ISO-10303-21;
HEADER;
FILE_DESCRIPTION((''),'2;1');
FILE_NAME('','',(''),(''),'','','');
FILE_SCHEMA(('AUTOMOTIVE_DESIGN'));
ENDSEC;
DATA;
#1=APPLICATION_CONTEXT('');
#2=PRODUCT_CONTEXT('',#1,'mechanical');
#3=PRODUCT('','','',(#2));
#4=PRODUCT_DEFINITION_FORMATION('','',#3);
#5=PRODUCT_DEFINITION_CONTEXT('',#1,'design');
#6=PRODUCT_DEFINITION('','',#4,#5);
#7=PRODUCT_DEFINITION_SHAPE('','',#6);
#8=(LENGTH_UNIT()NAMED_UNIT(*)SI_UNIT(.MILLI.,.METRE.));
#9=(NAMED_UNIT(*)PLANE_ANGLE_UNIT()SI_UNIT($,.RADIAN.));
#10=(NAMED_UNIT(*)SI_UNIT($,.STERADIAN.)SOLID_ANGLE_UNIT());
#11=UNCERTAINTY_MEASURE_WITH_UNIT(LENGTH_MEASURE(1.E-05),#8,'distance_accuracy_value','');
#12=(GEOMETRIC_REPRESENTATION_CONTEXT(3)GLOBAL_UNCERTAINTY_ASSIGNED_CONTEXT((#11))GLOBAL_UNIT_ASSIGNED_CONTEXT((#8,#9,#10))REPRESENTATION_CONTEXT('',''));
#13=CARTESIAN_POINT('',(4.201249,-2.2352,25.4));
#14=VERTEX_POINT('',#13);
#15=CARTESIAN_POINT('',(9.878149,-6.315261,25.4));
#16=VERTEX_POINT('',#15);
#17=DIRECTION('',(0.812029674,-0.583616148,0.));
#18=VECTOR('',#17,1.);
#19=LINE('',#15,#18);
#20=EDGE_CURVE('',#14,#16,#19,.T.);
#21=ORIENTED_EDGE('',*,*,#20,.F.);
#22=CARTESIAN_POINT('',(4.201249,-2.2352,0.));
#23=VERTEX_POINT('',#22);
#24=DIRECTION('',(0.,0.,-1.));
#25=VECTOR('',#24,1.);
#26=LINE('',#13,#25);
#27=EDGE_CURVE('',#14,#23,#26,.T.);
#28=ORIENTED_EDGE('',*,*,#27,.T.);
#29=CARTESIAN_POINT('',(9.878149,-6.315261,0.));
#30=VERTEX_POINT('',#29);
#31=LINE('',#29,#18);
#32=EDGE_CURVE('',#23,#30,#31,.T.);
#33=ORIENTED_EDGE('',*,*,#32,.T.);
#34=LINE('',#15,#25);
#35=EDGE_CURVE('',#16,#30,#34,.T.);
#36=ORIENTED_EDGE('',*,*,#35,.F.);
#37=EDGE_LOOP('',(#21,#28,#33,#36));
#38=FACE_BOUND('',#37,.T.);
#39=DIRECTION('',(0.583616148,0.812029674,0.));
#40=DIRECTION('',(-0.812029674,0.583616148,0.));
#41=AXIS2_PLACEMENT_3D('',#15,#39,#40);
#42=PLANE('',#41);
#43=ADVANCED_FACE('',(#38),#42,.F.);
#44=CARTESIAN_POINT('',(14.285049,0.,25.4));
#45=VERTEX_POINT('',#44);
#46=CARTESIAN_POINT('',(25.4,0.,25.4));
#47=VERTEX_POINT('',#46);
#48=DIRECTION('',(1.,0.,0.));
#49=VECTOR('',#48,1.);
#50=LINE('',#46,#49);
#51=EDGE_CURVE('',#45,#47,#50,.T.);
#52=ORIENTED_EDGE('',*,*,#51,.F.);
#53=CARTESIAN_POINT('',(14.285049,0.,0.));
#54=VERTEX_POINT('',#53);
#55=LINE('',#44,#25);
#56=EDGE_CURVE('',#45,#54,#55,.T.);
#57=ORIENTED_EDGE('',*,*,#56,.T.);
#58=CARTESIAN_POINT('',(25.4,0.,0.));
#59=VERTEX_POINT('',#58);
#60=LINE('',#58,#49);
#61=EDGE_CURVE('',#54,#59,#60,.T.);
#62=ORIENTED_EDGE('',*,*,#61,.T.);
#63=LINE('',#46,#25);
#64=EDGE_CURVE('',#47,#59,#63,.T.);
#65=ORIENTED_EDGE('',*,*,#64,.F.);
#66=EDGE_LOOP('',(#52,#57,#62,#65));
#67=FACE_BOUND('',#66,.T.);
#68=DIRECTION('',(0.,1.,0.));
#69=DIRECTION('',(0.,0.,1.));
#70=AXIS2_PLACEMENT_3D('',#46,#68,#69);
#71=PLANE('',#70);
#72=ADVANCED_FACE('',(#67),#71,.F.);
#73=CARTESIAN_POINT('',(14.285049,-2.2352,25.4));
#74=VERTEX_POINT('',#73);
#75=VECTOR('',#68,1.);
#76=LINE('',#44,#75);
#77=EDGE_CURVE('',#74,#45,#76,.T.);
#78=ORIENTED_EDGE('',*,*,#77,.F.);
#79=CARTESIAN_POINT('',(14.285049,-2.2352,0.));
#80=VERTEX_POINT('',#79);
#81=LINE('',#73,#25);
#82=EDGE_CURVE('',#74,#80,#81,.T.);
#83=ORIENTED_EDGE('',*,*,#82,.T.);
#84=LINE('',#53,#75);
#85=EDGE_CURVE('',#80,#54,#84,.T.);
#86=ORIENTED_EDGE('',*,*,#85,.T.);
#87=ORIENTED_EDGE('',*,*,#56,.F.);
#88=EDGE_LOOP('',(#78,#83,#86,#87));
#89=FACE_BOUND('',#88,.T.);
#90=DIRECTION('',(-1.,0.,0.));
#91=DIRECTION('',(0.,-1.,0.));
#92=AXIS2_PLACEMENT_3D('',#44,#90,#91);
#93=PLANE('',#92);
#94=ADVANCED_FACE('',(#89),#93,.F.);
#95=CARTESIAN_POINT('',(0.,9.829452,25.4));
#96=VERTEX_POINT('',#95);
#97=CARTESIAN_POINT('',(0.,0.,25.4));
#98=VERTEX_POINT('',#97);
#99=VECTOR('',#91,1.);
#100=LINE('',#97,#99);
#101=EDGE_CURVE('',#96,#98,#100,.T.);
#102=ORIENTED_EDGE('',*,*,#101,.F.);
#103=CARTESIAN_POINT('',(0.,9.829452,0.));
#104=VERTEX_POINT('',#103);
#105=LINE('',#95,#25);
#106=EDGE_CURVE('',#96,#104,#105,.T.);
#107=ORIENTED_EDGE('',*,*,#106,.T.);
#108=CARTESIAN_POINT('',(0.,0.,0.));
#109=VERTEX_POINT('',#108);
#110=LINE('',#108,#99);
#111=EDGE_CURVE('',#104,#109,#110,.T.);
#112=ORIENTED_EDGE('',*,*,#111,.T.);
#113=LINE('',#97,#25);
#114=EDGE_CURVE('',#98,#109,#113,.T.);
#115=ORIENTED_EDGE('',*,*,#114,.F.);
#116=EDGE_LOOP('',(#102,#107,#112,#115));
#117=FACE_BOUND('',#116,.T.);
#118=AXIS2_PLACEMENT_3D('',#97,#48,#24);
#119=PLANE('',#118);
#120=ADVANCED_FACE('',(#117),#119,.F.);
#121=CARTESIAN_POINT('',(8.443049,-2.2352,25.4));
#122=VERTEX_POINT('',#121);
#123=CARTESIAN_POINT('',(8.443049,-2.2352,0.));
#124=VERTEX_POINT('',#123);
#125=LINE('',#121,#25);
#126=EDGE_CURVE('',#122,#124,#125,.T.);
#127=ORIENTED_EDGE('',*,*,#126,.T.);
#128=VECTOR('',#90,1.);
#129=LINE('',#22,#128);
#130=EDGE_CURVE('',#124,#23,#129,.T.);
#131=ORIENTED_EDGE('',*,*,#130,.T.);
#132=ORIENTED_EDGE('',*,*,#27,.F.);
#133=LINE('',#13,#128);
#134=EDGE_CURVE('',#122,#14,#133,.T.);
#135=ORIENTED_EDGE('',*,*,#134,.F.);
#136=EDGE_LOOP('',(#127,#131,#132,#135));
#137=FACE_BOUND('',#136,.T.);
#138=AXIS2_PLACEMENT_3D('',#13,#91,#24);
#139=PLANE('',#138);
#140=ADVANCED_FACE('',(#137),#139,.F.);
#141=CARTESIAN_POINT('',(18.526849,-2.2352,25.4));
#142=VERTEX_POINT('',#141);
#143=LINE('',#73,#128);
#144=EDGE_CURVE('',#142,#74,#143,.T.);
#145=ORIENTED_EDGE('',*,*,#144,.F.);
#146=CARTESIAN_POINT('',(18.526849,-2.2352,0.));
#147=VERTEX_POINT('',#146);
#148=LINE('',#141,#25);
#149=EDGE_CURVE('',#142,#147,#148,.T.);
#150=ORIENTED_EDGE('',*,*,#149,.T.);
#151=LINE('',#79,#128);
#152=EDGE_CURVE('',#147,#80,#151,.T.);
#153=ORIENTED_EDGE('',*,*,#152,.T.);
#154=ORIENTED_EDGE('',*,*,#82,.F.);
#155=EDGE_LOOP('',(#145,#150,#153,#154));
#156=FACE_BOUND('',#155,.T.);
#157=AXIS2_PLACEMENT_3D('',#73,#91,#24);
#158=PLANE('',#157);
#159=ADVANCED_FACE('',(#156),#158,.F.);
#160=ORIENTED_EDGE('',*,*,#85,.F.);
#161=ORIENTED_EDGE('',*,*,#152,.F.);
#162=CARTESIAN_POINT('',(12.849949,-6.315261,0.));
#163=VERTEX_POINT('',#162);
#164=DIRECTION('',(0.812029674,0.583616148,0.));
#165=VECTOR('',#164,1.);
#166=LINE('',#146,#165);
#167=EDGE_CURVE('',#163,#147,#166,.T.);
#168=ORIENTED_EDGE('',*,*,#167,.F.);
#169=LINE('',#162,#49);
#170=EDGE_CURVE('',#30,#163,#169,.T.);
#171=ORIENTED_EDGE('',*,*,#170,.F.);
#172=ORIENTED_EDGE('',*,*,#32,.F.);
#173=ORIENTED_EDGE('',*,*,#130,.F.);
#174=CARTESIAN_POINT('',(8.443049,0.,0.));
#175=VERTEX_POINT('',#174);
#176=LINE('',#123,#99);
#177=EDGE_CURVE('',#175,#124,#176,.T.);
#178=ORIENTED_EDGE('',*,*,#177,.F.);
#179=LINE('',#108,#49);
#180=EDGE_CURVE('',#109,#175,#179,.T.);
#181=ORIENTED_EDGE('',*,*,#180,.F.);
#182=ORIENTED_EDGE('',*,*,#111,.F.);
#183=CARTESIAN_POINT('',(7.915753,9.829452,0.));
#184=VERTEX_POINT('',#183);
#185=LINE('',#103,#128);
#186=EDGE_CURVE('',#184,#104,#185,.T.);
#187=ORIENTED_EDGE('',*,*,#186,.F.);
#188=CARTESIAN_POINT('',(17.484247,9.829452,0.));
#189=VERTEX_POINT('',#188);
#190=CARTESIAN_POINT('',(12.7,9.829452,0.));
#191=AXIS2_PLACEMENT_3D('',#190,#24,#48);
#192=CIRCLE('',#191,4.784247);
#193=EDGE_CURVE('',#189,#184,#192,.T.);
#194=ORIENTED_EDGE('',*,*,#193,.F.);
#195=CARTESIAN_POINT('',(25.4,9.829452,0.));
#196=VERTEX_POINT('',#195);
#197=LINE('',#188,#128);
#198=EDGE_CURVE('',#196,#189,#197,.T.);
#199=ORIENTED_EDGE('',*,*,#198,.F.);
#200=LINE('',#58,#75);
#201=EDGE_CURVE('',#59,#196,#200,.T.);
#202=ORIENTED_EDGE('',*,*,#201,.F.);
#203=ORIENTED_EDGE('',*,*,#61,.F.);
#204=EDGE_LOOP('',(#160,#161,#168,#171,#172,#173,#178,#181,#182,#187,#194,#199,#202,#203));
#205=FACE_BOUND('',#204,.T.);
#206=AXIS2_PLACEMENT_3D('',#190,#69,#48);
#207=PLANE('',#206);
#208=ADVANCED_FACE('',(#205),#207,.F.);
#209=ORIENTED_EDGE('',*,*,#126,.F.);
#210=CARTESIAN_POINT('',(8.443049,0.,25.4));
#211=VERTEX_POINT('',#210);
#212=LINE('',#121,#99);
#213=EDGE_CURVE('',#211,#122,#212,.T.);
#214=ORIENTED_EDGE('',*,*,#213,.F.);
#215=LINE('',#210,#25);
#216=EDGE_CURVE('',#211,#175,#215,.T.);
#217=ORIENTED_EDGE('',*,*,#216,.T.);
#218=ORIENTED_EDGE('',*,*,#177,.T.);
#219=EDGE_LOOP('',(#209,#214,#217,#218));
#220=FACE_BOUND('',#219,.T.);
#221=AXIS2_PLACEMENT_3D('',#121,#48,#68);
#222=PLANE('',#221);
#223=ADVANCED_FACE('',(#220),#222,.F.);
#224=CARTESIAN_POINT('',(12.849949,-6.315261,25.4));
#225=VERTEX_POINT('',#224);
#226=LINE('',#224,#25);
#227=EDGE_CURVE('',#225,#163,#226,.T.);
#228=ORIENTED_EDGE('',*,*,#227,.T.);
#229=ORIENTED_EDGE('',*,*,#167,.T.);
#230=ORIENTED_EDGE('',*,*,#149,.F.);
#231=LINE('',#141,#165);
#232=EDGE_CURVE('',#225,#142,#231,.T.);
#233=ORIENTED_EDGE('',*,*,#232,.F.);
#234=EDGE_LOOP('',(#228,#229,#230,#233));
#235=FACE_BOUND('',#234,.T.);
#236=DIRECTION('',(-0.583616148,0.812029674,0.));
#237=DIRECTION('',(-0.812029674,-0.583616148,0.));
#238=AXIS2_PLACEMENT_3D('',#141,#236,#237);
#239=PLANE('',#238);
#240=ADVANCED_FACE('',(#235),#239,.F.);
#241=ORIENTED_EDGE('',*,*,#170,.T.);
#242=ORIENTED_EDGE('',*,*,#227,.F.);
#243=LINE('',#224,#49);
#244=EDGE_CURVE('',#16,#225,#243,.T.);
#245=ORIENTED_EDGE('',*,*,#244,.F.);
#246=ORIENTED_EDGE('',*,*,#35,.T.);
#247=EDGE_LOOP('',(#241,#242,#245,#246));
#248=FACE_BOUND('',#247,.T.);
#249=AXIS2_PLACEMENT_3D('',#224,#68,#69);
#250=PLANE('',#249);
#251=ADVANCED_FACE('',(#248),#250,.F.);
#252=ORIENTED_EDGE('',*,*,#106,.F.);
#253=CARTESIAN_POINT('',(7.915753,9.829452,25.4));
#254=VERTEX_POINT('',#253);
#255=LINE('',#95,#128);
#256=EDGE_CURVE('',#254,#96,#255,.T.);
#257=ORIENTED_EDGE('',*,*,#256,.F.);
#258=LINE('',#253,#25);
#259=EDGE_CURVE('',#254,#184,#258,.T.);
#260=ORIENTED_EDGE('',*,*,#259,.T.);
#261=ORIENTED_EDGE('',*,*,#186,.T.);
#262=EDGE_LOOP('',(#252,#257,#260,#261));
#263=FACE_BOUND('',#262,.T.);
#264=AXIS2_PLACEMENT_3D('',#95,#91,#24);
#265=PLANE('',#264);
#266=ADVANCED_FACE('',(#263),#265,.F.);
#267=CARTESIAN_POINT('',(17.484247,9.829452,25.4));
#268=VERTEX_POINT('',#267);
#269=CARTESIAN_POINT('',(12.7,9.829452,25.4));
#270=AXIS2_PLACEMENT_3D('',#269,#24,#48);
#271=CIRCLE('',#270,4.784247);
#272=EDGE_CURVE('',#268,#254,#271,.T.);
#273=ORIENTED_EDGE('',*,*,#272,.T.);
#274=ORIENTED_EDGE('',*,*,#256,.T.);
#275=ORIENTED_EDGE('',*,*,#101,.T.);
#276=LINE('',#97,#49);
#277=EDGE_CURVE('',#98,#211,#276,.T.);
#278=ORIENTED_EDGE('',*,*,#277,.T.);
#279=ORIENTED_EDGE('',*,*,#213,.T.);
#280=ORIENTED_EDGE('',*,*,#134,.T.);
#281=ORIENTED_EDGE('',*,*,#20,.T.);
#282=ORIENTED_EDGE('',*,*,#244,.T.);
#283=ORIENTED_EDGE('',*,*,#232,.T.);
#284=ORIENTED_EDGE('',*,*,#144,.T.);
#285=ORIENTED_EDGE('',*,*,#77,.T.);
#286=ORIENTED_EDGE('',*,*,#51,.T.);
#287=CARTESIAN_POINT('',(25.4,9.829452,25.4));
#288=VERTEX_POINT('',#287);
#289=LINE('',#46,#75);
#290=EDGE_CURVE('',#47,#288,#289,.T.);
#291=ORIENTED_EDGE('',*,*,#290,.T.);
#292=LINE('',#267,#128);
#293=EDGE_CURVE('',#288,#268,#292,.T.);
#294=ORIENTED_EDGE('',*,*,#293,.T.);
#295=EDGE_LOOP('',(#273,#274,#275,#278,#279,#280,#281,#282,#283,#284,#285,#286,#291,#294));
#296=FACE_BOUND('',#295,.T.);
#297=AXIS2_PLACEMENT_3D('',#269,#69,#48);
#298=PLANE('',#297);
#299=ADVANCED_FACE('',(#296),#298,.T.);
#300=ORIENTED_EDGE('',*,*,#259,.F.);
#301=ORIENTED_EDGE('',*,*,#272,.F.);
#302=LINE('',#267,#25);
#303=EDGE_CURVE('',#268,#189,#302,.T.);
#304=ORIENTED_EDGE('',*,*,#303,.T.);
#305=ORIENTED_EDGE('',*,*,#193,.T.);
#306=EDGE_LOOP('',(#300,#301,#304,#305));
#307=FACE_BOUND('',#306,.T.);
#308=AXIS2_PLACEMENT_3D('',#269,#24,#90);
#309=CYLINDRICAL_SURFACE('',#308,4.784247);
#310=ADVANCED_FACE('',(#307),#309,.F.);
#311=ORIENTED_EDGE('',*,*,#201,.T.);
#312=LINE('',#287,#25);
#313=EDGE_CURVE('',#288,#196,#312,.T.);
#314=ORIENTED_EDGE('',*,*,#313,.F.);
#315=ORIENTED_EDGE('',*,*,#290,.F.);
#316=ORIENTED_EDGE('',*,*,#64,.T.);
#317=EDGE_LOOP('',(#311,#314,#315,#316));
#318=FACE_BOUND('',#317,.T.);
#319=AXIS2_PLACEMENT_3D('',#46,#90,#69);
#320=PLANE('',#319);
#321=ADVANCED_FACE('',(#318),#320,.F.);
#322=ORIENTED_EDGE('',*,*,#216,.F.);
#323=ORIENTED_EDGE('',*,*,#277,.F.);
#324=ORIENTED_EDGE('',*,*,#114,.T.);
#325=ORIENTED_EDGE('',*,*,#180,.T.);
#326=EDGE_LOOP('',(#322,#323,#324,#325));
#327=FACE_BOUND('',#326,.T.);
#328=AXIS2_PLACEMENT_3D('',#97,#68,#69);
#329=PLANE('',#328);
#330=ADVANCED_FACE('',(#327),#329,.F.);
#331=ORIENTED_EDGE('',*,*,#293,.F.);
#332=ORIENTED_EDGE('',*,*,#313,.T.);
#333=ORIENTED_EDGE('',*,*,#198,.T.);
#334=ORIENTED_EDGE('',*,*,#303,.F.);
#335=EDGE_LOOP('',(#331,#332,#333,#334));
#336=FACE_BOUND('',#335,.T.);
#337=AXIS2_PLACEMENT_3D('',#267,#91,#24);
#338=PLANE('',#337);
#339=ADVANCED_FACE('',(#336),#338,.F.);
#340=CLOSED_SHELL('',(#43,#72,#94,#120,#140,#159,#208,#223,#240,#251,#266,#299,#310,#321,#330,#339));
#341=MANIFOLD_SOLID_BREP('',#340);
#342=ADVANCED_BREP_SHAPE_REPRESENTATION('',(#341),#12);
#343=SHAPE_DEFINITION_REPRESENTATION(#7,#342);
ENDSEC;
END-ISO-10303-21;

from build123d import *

# Parameters (mm, degrees)
BOSS_EXTRUDE1_DEPTH = 25.4


with BuildPart() as part:
    # Sketch1 → Boss-Extrude1 (new body)
    with BuildSketch(Plane.XY):
        with BuildLine():
            Line((0, 0), (8.443048692, 0))
            Line((8.443048692, 0), (8.443048692, -2.2352))
            Line((8.443048692, -2.2352), (4.201248692, -2.2352))
            Line((4.201248692, -2.2352), (9.878148692, -6.315260883))
            Line((9.878148692, -6.315260883), (12.849948692, -6.315260883))
            Line((12.849948692, -6.315260883), (18.526848692, -2.2352))
            Line((18.526848692, -2.2352), (14.285048692, -2.2352))
            Line((14.285048692, -2.2352), (14.285048692, 0))
            Line((14.285048692, 0), (25.4, 0))
            Line((25.4, 0), (25.4, 9.829452055))
            Line((25.4, 9.829452055), (17.484246575, 9.829452055))
            ThreePointArc((17.484246575, 9.829452055), (12.7, 5.045205479), (7.915753425, 9.829452055))
            Line((7.915753425, 9.829452055), (0, 9.829452055))
            Line((0, 9.829452055), (0, 0))
        make_face()
    extrude(amount=BOSS_EXTRUDE1_DEPTH)


solid = part.part
